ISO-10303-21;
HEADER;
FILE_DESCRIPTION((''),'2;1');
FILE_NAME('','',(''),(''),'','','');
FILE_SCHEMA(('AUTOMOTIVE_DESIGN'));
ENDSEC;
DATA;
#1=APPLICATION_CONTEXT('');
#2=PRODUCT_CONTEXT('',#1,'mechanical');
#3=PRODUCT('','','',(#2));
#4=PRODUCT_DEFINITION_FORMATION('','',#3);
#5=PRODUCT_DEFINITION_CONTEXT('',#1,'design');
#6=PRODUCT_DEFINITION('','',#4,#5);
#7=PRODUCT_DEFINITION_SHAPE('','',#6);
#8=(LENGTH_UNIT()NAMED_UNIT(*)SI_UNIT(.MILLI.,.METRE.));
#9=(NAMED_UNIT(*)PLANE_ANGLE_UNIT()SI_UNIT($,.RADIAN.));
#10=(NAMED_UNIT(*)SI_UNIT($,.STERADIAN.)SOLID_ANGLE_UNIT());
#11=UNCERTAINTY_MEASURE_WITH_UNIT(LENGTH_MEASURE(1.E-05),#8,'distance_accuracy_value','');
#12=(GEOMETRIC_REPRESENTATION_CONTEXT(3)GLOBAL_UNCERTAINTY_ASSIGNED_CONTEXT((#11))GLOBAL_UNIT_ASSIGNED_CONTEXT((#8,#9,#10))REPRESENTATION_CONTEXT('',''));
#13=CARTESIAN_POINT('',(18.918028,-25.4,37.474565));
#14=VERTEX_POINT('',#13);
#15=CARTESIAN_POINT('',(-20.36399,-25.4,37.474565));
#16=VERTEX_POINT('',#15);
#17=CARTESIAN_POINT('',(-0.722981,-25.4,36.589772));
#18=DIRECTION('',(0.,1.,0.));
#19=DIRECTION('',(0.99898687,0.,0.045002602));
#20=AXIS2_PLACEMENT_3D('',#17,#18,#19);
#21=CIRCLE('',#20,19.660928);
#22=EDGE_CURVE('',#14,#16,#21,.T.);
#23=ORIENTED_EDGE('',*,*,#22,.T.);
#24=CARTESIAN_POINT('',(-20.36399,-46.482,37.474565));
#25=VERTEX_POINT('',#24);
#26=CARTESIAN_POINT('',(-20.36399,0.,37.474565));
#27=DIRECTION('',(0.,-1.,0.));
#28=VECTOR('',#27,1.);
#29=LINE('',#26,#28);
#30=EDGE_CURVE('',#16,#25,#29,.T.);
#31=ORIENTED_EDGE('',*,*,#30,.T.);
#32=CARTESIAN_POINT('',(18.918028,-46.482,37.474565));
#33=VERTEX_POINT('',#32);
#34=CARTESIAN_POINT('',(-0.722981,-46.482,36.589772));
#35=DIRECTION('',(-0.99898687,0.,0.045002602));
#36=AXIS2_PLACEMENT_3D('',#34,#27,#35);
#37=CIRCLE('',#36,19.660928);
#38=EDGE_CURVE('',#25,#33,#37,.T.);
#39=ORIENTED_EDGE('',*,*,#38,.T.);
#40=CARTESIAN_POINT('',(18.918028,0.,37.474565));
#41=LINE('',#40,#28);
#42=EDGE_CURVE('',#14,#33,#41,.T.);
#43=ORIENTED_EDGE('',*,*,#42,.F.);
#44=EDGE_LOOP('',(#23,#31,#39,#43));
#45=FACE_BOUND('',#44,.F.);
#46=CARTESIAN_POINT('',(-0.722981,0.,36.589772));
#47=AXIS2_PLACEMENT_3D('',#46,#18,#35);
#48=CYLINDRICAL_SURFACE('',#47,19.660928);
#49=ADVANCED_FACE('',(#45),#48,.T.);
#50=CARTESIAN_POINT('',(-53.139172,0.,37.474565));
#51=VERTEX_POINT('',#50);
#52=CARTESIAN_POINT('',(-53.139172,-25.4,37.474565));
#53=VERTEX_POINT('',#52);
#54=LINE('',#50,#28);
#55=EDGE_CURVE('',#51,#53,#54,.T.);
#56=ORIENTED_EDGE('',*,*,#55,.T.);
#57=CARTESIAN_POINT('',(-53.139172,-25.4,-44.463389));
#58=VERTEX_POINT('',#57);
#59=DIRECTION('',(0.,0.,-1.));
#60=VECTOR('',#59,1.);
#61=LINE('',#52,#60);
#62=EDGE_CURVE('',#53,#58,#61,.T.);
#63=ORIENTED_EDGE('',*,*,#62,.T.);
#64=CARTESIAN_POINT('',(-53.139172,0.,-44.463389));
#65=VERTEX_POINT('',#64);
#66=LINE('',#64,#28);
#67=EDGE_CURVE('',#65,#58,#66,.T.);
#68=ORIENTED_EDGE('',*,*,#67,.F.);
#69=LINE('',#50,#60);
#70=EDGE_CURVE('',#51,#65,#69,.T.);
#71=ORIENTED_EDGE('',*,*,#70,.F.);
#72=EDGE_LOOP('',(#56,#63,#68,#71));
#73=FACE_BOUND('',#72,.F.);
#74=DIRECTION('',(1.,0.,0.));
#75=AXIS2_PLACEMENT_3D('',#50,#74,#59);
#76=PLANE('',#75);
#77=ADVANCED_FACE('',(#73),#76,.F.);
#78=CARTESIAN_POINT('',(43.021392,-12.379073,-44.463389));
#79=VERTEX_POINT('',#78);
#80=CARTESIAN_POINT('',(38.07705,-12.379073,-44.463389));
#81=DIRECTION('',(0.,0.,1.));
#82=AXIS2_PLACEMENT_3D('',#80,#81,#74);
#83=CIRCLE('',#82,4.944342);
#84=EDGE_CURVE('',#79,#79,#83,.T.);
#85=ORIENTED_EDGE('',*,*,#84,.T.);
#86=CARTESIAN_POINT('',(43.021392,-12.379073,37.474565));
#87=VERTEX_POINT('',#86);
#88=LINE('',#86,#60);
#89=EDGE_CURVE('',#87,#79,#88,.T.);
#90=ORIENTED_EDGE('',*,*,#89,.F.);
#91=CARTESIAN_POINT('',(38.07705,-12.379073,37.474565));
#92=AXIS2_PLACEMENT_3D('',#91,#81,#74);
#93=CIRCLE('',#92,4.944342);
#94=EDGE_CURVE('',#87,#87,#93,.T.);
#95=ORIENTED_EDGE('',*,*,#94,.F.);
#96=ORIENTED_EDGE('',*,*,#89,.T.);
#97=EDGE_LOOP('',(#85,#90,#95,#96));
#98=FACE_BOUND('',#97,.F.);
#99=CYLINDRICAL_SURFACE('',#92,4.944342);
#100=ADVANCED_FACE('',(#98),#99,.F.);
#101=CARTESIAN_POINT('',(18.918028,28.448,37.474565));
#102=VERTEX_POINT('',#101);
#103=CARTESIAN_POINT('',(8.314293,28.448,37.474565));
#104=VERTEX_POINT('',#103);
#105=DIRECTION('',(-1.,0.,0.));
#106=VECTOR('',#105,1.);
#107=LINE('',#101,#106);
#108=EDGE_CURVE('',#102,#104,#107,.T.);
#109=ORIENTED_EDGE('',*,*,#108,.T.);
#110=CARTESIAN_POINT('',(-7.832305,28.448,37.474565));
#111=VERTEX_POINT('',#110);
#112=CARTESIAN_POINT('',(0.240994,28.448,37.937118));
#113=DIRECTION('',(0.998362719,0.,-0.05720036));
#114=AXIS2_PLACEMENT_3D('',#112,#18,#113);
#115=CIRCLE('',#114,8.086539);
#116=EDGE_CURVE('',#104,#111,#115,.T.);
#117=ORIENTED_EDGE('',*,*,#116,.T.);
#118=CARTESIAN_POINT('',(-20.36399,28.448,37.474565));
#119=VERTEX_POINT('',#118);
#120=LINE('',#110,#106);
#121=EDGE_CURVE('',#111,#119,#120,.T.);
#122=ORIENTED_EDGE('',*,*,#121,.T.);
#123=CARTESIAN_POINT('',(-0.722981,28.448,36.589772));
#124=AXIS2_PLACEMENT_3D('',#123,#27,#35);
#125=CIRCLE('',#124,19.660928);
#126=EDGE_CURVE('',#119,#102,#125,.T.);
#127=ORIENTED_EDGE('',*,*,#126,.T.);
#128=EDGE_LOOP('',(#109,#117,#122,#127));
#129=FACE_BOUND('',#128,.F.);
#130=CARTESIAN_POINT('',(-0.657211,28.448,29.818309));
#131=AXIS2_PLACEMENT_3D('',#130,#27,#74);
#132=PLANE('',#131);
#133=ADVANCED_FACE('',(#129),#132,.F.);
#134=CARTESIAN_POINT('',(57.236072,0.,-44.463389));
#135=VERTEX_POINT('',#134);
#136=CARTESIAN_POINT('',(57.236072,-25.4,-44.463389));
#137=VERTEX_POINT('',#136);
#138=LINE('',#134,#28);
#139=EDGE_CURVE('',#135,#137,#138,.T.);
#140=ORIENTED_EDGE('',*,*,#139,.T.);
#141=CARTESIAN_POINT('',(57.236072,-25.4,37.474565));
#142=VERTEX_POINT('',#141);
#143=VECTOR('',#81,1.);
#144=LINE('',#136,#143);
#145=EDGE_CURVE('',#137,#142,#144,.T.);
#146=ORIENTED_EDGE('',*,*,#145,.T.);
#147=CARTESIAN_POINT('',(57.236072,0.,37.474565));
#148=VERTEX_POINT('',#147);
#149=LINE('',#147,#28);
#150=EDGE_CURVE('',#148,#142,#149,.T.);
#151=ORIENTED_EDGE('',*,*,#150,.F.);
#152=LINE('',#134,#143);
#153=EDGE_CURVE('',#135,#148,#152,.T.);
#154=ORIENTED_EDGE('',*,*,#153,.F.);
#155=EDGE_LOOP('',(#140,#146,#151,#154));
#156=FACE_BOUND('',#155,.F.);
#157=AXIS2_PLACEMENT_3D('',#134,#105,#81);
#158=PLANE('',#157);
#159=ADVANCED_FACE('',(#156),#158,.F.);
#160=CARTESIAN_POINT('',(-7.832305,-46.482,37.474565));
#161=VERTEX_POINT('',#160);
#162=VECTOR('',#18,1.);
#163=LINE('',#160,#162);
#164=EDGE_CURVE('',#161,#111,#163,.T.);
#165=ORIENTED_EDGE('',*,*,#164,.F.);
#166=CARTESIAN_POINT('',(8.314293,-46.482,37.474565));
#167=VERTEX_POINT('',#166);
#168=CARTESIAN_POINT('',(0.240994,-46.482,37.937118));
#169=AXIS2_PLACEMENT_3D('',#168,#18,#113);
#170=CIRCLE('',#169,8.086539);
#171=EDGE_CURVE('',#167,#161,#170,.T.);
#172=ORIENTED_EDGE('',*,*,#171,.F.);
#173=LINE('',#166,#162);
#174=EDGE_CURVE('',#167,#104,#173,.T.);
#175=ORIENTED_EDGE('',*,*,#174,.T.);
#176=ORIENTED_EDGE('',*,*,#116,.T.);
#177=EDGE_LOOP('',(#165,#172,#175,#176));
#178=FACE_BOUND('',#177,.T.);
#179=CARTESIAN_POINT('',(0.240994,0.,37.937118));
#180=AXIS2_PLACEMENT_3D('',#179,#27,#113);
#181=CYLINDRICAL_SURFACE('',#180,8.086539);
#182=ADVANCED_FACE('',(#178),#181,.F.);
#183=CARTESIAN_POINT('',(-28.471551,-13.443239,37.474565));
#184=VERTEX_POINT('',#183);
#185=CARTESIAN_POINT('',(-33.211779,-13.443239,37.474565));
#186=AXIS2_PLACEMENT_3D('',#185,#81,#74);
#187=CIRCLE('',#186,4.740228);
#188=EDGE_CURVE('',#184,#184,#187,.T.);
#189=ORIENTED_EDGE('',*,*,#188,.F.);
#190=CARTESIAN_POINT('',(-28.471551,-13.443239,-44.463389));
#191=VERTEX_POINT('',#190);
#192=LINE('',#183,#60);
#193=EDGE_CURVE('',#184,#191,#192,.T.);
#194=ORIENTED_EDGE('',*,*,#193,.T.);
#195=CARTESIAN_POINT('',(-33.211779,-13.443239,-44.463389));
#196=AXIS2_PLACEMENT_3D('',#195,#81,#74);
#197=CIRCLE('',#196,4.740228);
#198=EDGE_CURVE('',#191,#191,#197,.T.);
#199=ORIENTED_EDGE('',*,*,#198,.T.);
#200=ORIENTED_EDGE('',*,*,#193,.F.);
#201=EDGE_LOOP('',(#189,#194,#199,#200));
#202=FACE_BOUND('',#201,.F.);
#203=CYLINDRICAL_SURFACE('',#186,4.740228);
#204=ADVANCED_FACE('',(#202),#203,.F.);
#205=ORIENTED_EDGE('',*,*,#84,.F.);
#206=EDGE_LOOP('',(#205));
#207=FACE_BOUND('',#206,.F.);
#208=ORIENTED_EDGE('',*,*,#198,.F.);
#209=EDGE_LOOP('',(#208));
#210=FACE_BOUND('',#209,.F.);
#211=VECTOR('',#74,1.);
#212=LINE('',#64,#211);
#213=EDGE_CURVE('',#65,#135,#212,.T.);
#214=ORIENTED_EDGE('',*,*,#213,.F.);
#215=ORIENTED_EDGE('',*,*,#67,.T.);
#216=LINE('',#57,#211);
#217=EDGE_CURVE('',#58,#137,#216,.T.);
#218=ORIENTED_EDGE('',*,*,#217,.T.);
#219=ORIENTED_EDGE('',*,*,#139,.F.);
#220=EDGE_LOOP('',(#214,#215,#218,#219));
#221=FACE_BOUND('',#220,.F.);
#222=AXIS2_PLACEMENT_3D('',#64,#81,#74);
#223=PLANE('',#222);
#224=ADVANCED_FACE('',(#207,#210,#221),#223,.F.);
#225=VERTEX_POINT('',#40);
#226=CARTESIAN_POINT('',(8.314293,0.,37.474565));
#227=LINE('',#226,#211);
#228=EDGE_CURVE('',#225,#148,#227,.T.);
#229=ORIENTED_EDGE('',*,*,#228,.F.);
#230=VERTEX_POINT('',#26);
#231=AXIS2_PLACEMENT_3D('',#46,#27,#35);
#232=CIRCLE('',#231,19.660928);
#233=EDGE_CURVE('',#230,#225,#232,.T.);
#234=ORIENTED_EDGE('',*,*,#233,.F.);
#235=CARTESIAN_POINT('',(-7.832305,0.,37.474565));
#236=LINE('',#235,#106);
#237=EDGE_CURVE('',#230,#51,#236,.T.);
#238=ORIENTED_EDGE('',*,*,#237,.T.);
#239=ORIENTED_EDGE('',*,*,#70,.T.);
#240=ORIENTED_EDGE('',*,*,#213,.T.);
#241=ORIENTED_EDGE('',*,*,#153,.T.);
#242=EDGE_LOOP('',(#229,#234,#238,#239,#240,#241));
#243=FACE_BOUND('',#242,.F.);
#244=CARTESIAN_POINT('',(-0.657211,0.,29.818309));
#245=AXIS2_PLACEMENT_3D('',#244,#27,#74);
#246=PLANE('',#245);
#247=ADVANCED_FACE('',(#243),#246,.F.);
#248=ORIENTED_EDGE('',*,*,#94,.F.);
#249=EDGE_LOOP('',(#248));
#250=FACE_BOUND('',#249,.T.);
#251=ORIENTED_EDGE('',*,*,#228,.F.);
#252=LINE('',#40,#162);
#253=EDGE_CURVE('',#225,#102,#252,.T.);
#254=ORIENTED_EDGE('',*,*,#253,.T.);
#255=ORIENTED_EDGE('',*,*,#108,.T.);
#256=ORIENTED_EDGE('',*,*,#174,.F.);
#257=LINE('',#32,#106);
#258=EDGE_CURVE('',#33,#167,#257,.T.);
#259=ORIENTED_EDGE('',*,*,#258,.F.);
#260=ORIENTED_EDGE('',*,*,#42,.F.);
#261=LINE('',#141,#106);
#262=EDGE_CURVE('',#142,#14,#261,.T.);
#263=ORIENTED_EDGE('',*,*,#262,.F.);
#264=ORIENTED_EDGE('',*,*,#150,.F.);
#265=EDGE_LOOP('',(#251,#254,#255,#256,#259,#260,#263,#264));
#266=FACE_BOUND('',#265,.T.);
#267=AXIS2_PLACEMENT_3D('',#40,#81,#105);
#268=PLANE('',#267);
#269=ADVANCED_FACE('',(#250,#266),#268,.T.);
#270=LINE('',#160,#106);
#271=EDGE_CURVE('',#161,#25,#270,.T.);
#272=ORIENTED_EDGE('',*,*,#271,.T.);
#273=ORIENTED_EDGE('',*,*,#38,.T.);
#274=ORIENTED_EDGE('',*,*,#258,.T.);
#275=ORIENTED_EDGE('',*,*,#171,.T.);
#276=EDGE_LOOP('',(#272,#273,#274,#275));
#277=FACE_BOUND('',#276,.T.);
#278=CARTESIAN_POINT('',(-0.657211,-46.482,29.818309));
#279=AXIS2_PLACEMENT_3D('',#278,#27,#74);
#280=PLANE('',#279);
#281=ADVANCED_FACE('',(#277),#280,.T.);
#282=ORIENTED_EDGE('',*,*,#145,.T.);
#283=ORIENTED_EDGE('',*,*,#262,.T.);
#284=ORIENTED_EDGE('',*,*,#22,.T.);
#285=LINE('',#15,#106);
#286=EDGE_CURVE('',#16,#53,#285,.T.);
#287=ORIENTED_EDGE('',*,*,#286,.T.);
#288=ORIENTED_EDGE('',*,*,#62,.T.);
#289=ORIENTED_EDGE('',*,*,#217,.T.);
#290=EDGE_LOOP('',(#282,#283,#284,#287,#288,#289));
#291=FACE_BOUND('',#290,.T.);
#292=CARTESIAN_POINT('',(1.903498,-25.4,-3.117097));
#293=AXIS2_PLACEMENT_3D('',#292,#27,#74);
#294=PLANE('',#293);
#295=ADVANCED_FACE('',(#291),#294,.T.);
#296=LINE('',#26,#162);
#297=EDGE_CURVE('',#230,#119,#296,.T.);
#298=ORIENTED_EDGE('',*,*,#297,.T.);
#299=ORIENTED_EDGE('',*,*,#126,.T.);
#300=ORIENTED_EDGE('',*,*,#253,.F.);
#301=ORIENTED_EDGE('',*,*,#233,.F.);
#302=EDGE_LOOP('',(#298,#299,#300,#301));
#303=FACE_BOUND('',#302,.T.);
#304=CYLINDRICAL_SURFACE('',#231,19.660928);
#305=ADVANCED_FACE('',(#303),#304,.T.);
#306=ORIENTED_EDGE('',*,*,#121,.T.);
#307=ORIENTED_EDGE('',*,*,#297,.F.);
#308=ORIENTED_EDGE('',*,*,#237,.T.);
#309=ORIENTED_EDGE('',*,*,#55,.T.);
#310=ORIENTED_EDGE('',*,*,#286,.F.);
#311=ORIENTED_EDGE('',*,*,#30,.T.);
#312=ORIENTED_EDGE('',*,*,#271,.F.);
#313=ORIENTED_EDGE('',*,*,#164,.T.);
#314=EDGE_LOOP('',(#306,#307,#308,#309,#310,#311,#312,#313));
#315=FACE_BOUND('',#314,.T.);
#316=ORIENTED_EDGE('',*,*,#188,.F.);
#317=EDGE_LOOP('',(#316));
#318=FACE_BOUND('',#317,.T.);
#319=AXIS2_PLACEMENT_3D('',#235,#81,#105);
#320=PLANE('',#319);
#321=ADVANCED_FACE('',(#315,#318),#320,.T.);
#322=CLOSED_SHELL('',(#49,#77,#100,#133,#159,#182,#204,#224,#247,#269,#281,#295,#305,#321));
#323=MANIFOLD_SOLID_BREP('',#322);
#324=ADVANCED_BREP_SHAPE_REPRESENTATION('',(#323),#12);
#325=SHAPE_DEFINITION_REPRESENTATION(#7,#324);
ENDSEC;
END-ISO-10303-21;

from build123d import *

# Parameters (mm, degrees)
F1_DEPTH = 25.4
F2_DEPTH = 46.482
F3_DEPTH = 28.448
F4_R     = 4.944342
F5_DEPTH = 146.304
F6_R     = 4.740228
F7_DEPTH = 190.754


with BuildPart() as f1:
    # F0 (on Front) → F1 (new body)
    with BuildSketch(Plane.XZ):
        with BuildLine():
            Line((-20.36399, 37.474565), (-53.139172, 37.474565))
            Line((-53.139172, 37.474565), (-53.139172, -44.463389))
            Line((-53.139172, -44.463389), (57.236072, -44.463389))
            Line((57.236072, -44.463389), (57.236072, 37.474565))
            Line((57.236072, 37.474565), (18.918028, 37.474565))
            ThreePointArc((18.918028, 37.474565), (-0.722981, 16.928844), (-20.36399, 37.474565))
        make_face()
    extrude(amount=F1_DEPTH)

    # F0 (on Front) → F2 (join)
    with BuildSketch(Plane.XZ):
        with BuildLine():
            Line((-7.832305, 37.474565), (-20.36399, 37.474565))
            ThreePointArc((-20.36399, 37.474565), (-0.722981, 16.928844), (18.918028, 37.474565))
            Line((18.918028, 37.474565), (8.314293, 37.474565))
            ThreePointArc((8.314293, 37.474565), (0.240994, 29.850579), (-7.832305, 37.474565))
        make_face()
    extrude(amount=F2_DEPTH)

    # F0 (on Front) → F3 (join)
    with BuildSketch(Plane.XZ):
        with BuildLine():
            Line((-7.832305, 37.474565), (-20.36399, 37.474565))
            ThreePointArc((-20.36399, 37.474565), (-0.722981, 16.928844), (18.918028, 37.474565))
            Line((18.918028, 37.474565), (8.314293, 37.474565))
            ThreePointArc((8.314293, 37.474565), (0.240994, 29.850579), (-7.832305, 37.474565))
        make_face()
    extrude(amount=-F3_DEPTH)

    # F4 (on face) → F5 (cut)
    with BuildSketch(Plane.XY.offset(37.474565)):
        with Locations((38.07705, -12.379073)):
            Circle(F4_R)
    extrude(amount=-F5_DEPTH, mode=Mode.SUBTRACT)

    # F6 (on face) → F7 (cut)
    with BuildSketch(Plane.XY.offset(37.474565)):
        with Locations((-33.211779, -13.443239)):
            Circle(F6_R)
    extrude(amount=-F7_DEPTH, mode=Mode.SUBTRACT)


solid = f1.part
